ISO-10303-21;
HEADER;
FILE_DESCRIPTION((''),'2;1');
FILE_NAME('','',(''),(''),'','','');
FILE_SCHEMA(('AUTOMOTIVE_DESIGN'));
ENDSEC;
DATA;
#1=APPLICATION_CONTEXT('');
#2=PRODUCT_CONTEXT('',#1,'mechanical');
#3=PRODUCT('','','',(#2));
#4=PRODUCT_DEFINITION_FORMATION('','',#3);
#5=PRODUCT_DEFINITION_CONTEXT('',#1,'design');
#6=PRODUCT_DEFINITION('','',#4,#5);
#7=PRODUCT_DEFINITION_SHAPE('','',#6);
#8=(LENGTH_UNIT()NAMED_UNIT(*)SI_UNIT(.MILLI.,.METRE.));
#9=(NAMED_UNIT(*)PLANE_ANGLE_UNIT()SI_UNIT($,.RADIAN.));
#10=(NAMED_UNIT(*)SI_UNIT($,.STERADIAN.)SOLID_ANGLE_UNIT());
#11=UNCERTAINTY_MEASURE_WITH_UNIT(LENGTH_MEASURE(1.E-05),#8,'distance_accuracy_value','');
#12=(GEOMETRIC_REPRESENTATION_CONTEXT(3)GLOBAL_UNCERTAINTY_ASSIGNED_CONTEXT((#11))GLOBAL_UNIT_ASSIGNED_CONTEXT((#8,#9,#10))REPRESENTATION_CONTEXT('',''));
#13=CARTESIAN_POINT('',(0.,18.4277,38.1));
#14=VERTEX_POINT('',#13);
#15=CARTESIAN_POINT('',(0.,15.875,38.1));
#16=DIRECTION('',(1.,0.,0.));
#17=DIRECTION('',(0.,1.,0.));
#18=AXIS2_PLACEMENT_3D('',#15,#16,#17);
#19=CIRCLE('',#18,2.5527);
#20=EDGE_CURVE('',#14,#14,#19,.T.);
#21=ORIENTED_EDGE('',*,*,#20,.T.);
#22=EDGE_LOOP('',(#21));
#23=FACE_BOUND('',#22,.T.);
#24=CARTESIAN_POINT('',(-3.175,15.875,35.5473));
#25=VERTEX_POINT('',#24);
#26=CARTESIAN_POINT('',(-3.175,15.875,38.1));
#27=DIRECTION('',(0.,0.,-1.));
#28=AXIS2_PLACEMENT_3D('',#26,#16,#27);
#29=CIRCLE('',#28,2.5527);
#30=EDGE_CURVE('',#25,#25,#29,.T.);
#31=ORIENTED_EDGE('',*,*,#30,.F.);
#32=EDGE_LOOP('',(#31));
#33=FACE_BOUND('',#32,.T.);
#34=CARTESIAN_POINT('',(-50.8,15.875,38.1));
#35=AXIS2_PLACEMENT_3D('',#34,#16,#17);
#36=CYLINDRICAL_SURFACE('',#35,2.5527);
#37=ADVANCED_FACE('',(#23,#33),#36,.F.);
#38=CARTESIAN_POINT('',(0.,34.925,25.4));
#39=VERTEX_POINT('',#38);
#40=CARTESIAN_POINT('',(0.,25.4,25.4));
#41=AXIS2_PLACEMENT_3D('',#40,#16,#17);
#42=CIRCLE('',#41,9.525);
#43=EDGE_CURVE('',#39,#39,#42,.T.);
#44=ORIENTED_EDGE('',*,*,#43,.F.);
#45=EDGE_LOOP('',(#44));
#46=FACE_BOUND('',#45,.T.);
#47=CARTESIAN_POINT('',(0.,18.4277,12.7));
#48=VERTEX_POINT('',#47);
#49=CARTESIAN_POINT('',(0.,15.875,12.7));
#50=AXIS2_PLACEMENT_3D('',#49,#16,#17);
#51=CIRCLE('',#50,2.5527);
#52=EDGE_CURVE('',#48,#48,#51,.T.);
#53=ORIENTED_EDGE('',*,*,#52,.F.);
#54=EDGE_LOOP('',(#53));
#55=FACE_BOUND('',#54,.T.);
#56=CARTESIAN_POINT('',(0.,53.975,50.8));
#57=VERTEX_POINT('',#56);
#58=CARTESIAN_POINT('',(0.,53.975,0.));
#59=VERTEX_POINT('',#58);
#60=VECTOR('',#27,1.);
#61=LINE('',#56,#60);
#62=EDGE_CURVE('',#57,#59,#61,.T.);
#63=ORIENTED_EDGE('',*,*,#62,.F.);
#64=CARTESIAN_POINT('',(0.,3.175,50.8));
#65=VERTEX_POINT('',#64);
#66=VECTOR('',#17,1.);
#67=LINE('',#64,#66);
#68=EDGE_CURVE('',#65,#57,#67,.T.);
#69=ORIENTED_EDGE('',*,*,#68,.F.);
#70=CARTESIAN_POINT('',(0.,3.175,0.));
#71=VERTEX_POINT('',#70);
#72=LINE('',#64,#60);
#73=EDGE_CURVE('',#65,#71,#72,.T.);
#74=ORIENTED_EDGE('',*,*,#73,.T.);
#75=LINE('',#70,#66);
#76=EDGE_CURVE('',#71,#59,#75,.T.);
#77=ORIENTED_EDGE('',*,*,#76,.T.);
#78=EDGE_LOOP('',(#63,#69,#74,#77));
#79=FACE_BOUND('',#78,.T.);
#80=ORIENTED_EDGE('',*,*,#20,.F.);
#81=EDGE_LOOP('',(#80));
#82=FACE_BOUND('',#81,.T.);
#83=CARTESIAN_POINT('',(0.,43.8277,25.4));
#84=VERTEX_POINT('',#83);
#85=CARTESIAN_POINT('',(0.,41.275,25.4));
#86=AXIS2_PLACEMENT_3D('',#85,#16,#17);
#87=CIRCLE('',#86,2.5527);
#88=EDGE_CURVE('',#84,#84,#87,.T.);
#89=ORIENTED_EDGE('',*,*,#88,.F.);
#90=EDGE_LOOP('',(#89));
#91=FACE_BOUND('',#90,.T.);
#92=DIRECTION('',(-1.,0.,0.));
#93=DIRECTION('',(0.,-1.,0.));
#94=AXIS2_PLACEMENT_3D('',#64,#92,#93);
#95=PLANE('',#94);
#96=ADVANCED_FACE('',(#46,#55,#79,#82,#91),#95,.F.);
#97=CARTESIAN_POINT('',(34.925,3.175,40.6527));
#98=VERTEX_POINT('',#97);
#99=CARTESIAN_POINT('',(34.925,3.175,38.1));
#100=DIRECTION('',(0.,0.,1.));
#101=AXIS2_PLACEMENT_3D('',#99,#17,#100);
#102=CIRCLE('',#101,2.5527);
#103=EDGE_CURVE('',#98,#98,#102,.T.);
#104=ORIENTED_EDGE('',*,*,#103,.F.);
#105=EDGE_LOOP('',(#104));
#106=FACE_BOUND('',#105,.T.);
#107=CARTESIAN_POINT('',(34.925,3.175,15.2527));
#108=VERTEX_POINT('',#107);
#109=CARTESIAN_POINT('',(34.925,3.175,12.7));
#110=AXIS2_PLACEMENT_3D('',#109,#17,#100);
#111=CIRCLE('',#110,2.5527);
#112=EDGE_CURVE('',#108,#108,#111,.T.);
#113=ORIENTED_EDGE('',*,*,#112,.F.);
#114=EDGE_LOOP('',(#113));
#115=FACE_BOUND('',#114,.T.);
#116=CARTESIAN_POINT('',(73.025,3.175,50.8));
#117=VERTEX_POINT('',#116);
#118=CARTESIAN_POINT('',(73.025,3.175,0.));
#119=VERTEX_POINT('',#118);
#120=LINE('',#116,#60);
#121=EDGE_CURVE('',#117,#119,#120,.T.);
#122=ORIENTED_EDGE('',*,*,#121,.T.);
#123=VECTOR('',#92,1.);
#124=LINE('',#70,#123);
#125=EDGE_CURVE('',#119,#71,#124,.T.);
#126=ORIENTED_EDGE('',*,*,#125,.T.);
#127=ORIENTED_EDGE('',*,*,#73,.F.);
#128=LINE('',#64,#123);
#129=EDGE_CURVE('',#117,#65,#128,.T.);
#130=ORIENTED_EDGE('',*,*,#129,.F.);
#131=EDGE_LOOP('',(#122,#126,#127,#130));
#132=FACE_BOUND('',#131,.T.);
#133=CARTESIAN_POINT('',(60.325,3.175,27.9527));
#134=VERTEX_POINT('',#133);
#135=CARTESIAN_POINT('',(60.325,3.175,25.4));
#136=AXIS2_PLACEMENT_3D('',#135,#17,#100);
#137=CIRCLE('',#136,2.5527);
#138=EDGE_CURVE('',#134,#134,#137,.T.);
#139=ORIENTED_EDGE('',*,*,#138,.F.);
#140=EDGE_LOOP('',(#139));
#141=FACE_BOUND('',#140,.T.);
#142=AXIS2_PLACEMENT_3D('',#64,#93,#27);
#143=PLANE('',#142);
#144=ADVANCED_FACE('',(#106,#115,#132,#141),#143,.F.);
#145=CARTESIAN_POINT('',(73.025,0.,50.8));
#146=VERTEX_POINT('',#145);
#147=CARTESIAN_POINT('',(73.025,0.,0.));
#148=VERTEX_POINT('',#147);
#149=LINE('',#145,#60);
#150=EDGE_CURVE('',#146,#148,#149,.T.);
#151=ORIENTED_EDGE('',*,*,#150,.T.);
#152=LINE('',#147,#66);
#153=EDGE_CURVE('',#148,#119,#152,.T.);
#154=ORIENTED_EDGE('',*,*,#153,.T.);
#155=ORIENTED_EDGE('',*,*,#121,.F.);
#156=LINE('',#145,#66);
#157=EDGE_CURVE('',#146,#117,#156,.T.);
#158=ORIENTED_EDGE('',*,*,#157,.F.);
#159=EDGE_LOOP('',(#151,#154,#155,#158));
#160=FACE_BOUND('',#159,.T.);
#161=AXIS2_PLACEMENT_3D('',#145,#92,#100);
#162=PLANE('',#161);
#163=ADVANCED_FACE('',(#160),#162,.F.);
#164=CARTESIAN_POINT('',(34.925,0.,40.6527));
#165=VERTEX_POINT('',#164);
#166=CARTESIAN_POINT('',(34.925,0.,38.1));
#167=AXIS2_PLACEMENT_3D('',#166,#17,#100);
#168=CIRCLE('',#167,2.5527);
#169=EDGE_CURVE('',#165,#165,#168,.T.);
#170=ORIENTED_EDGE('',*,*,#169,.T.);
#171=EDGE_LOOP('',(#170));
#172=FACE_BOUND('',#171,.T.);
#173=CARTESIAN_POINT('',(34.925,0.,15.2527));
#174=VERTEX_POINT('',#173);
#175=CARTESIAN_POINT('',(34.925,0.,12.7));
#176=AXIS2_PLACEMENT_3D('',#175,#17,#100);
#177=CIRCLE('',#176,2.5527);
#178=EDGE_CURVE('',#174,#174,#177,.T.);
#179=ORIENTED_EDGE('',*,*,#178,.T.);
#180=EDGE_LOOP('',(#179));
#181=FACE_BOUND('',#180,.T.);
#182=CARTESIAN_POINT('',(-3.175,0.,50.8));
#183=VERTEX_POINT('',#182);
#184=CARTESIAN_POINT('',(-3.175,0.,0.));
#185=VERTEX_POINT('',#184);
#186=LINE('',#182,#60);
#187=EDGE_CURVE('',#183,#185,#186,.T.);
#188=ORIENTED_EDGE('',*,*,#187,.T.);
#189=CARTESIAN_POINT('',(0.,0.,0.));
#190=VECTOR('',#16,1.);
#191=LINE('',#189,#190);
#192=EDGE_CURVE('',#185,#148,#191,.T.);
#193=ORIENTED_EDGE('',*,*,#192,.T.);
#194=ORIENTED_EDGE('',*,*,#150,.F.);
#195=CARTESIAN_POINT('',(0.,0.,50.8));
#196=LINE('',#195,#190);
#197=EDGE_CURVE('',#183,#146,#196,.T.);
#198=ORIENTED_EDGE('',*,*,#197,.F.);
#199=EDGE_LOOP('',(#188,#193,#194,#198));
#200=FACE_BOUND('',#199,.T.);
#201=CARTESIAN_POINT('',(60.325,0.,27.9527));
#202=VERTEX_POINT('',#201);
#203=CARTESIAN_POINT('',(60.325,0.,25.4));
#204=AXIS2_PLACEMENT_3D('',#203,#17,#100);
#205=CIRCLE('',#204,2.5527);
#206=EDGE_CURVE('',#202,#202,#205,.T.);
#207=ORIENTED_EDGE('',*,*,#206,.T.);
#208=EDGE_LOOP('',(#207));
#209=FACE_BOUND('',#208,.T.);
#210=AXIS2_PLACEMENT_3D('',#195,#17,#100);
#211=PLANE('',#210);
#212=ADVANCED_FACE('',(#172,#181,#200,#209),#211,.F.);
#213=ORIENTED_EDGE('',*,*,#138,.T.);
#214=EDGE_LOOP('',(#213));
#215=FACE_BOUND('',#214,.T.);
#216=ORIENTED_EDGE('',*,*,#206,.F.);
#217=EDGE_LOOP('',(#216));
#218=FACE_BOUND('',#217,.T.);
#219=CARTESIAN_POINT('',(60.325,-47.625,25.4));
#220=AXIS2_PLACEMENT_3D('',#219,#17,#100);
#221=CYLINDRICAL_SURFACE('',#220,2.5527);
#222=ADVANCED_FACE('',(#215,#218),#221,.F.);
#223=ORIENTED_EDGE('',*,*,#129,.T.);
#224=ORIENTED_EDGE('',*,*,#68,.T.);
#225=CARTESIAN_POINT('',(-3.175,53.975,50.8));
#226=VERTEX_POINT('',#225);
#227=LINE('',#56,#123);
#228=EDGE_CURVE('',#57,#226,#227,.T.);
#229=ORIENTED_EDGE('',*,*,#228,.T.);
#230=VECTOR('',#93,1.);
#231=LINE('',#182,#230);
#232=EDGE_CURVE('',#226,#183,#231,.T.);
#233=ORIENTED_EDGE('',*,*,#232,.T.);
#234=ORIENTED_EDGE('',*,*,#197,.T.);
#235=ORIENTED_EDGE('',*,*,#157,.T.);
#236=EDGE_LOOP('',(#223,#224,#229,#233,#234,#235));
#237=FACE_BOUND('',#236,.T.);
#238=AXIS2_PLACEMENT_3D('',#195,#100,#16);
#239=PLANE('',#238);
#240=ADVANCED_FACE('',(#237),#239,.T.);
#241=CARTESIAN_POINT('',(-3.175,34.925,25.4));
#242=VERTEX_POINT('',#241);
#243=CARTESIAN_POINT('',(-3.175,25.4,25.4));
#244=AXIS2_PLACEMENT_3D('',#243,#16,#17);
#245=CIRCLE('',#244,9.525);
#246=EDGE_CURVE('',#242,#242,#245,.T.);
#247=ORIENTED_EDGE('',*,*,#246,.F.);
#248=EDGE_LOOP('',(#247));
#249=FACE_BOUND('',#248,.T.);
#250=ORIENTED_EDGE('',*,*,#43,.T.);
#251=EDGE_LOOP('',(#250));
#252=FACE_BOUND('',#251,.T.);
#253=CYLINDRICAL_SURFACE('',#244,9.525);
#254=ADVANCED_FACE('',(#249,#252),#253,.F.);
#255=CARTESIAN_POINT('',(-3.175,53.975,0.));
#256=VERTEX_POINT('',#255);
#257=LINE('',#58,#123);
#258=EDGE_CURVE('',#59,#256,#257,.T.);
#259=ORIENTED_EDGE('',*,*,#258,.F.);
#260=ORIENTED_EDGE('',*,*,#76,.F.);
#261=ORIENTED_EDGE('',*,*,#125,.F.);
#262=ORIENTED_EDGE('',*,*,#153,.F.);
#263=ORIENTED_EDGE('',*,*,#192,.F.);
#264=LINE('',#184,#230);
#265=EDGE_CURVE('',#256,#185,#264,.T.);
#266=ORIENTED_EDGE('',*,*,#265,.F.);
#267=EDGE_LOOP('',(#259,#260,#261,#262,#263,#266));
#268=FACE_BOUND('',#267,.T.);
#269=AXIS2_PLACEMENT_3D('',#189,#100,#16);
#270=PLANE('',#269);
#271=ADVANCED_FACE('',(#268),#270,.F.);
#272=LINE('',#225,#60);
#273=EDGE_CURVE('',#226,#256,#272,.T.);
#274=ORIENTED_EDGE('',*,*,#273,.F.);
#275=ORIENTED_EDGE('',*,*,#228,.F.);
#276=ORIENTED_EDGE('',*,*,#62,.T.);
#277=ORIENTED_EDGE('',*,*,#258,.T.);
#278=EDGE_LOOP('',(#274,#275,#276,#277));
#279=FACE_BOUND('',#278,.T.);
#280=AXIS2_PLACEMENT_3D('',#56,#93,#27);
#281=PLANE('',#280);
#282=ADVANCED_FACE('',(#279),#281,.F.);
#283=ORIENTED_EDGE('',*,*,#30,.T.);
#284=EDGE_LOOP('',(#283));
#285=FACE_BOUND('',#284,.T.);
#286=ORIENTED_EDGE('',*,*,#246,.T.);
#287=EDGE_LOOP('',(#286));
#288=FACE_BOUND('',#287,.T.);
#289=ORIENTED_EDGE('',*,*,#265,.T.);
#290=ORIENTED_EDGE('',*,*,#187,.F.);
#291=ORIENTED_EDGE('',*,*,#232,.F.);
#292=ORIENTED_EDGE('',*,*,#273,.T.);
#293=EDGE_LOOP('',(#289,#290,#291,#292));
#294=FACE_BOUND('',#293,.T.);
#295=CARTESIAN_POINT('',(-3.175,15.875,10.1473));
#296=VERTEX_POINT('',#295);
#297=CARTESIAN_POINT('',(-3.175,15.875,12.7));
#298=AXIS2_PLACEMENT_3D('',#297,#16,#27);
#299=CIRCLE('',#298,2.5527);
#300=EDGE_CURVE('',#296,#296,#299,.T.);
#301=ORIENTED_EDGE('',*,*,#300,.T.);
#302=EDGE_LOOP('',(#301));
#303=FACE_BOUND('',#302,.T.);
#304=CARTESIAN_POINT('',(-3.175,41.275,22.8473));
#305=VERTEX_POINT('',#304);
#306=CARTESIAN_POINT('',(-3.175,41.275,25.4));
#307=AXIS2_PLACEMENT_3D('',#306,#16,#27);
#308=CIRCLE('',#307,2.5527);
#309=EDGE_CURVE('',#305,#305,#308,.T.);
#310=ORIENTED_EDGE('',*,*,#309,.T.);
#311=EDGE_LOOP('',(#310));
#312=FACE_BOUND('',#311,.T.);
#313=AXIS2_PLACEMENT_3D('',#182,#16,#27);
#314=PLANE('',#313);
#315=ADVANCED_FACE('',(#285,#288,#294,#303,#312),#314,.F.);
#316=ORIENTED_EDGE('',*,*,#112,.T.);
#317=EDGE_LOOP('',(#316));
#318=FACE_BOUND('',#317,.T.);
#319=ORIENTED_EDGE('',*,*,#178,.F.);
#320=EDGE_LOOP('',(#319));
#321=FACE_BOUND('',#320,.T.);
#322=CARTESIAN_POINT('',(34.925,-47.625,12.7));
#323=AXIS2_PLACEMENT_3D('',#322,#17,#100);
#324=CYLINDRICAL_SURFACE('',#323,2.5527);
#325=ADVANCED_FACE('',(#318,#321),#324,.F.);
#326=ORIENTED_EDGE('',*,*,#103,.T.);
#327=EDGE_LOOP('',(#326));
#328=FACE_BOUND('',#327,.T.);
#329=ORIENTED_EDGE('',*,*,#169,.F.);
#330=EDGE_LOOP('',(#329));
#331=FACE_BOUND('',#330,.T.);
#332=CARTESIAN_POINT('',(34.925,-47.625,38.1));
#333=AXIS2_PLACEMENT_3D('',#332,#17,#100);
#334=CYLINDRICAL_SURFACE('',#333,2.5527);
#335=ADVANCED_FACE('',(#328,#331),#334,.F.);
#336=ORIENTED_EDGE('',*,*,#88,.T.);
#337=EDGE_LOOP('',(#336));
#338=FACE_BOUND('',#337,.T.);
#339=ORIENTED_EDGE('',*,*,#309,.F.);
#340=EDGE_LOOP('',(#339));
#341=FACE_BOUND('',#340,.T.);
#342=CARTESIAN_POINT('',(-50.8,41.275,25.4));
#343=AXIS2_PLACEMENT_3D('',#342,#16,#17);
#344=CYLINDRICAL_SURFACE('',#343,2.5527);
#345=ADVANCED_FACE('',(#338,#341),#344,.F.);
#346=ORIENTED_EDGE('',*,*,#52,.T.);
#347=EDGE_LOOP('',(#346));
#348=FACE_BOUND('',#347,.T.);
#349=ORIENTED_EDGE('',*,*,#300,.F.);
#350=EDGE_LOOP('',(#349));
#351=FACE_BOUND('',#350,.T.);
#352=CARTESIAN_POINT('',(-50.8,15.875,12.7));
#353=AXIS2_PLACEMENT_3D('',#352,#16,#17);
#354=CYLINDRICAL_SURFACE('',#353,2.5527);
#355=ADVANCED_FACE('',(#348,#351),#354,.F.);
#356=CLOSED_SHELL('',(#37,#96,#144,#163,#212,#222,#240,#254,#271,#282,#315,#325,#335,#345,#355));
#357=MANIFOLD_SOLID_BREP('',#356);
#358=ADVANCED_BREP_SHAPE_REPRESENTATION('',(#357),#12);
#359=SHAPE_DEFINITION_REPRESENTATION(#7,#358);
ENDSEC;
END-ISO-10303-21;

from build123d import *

# Parameters (mm, degrees)
BOSS_EXTRUDE1_DEPTH = 50.8
SKETCH2_R           = 2.5527
CUT_EXTRUDE1_DEPTH  = 50.8
SKETCH3_R           = 2.5527
CUT_EXTRUDE2_DEPTH  = 50.8
SKETCH4_R           = 9.525
CUT_EXTRUDE3_DEPTH  = 3.175


with BuildPart() as part:
    # Sketch1 → Boss-Extrude1 (new body)
    with BuildSketch(Plane.XY):
        Polygon((0, 0), (-3.175, 0), (-3.175, 53.975), (0, 53.975), (0, 3.175), (73.025, 3.175), (73.025, 0), align=None)
    extrude(amount=BOSS_EXTRUDE1_DEPTH)

    # Sketch2 → Cut-Extrude1 (cut)
    with BuildSketch(Plane(origin=(0, 0, 0), x_dir=(0, 0, -1), z_dir=(1, 0, 0))):
        with Locations((-25.4, 41.275)):
            Circle(SKETCH2_R)
        with Locations((-38.1, 15.875)):
            Circle(SKETCH2_R)
        with Locations((-12.7, 15.875)):
            Circle(SKETCH2_R)
    extrude(amount=-CUT_EXTRUDE1_DEPTH, mode=Mode.SUBTRACT)

    # Sketch3 → Cut-Extrude2 (cut)
    with BuildSketch(Plane(origin=(0, 3.175, 0), x_dir=(1, 0, 0), z_dir=(0, 1, 0))):
        with Locations((60.325, -25.4)):
            Circle(SKETCH3_R)
        with Locations((34.925, -12.7)):
            Circle(SKETCH3_R)
        with Locations((34.925, -38.1)):
            Circle(SKETCH3_R)
    extrude(amount=-CUT_EXTRUDE2_DEPTH, mode=Mode.SUBTRACT)

    # Sketch4 → Cut-Extrude3 (cut)
    with BuildSketch(Plane(origin=(0, 0, 0), x_dir=(0, 0, -1), z_dir=(1, 0, 0))):
        with Locations((-25.4, 25.4)):
            Circle(SKETCH4_R)
    extrude(amount=-CUT_EXTRUDE3_DEPTH, mode=Mode.SUBTRACT)


solid = part.part
